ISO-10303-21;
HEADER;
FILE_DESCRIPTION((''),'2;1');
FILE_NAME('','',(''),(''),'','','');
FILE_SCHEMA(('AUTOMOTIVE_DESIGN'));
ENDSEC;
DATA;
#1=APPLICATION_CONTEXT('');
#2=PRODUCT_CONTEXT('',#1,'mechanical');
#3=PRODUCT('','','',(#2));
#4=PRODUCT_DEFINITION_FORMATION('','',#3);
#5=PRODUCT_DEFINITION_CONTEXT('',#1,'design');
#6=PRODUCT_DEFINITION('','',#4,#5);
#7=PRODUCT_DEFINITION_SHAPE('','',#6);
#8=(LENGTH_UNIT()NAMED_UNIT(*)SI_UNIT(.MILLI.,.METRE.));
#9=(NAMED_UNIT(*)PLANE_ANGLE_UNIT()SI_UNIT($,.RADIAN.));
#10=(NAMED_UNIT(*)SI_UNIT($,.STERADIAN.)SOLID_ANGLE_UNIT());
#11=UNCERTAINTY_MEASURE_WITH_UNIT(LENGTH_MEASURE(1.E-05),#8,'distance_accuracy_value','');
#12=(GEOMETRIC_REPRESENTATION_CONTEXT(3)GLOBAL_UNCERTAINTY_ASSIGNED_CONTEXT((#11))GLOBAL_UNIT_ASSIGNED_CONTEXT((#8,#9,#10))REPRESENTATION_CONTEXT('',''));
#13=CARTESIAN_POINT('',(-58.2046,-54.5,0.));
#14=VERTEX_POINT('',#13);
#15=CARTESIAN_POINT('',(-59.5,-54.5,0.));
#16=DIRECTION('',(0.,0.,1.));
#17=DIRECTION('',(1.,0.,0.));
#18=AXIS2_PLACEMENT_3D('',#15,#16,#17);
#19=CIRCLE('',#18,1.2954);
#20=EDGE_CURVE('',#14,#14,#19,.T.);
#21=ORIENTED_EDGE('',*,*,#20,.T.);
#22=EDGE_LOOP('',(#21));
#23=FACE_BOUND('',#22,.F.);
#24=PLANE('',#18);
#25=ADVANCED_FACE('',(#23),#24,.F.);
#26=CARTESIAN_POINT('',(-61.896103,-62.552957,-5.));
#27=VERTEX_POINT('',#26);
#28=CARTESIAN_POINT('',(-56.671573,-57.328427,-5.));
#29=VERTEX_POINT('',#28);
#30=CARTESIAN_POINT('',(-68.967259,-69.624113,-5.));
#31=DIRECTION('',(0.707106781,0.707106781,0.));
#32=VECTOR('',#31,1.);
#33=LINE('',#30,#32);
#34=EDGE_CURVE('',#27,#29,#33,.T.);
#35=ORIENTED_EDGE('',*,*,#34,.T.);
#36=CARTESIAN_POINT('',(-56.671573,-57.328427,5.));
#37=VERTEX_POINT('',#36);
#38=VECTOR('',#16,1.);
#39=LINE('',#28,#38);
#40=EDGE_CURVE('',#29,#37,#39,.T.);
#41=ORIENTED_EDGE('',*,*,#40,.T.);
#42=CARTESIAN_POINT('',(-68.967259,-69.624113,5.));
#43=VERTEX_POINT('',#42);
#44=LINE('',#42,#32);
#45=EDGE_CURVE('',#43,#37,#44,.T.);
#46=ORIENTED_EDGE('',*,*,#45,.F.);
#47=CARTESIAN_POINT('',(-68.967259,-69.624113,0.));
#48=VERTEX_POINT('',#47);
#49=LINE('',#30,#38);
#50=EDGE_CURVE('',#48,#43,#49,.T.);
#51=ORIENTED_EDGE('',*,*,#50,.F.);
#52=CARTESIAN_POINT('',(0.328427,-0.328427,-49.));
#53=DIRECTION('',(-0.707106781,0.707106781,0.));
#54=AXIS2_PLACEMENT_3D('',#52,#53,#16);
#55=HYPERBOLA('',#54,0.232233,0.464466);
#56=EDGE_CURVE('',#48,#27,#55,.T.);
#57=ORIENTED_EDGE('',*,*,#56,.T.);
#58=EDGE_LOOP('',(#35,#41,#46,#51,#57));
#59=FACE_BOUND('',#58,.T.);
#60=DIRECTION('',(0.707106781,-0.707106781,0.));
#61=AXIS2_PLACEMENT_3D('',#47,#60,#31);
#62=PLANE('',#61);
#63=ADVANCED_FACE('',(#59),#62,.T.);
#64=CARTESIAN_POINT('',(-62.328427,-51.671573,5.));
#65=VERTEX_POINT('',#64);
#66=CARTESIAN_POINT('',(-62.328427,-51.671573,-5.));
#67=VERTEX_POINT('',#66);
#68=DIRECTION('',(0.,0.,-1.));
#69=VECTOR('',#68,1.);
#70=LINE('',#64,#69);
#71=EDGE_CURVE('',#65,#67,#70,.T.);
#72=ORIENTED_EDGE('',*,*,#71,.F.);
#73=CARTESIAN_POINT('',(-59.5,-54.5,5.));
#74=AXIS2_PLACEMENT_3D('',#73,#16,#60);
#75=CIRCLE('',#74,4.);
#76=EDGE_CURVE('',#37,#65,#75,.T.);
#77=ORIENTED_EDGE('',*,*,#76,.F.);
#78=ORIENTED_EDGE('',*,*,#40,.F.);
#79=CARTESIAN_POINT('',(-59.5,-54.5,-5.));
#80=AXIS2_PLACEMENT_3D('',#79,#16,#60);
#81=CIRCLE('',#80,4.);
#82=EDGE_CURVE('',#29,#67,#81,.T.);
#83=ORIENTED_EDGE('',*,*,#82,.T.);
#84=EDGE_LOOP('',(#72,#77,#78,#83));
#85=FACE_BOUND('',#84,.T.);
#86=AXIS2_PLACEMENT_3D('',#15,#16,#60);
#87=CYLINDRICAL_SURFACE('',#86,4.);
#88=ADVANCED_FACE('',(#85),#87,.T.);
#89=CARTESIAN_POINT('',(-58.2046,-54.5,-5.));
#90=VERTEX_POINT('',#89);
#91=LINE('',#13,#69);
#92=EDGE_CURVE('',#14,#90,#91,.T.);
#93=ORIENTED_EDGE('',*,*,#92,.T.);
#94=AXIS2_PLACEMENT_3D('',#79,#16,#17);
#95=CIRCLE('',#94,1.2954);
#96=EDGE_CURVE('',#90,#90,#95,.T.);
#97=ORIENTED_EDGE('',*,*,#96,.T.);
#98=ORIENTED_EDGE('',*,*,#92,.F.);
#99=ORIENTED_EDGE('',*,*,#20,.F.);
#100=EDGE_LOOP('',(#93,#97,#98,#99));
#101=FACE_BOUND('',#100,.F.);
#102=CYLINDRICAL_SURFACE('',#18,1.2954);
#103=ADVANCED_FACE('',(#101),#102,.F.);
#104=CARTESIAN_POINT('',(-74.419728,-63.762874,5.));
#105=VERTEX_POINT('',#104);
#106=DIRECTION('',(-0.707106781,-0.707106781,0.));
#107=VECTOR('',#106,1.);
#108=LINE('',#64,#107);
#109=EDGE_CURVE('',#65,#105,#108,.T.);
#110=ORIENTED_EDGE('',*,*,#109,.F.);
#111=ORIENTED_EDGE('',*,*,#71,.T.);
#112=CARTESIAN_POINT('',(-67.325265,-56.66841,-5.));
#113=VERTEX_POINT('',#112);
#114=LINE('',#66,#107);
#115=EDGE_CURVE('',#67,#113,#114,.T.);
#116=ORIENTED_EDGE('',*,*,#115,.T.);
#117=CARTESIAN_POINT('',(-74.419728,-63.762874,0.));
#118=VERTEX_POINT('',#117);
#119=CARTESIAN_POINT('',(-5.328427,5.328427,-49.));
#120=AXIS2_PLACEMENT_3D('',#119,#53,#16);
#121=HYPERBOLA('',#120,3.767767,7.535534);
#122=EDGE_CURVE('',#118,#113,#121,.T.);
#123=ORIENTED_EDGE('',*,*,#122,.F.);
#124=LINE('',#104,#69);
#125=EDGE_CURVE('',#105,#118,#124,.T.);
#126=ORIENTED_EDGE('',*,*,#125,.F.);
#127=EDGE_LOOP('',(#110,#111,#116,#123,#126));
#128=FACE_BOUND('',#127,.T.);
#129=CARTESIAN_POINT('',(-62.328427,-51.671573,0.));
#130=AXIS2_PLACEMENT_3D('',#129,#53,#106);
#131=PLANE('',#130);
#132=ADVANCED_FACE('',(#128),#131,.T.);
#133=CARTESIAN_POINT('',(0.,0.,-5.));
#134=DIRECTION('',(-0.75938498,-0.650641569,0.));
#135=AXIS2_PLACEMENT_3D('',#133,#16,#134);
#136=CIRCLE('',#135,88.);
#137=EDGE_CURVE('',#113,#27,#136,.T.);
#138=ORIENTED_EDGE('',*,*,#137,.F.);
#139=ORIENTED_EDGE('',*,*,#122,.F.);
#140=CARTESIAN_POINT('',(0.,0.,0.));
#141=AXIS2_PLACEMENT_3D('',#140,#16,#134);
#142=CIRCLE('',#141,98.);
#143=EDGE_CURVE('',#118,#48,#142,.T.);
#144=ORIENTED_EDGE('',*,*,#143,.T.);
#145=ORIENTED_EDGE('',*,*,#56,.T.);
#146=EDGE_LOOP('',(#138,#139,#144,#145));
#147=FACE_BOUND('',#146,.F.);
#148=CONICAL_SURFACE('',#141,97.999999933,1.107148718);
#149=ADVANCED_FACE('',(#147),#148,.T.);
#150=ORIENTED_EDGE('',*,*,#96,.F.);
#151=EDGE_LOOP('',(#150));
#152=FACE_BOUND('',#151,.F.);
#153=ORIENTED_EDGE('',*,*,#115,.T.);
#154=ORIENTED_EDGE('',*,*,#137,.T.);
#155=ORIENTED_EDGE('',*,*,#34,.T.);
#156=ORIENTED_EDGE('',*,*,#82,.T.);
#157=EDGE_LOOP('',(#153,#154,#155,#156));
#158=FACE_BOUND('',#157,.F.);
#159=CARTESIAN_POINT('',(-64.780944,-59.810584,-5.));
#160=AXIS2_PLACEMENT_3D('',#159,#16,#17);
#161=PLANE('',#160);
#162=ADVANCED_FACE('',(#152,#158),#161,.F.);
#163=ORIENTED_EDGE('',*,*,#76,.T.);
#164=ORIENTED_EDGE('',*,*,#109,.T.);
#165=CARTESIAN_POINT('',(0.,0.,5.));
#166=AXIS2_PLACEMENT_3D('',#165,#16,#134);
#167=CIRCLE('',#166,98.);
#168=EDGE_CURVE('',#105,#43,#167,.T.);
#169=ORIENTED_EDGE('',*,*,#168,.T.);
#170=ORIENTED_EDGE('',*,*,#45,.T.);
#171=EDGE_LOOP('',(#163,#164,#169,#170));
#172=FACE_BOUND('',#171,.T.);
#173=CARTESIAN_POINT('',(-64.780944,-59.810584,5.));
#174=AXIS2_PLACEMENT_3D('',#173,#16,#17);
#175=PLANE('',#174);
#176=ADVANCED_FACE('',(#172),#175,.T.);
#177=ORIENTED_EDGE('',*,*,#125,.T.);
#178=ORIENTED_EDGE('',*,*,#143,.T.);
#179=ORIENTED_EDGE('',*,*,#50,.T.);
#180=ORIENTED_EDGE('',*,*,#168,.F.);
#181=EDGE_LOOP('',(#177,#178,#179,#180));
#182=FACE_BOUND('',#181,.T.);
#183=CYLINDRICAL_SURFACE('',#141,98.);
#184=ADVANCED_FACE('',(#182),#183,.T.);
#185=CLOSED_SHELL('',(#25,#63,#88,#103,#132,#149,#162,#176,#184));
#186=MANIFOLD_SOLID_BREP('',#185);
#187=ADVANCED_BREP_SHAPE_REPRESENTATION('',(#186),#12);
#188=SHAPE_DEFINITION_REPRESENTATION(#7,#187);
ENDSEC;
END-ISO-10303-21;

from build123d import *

# Parameters (mm, degrees)
F1_DEPTH = 5
F2_DEPTH = 5
F3_SIZE2 = 10
F3_SIZE  = 5
F4_D     = 2.5908
F4_DEPTH = 5.001


with BuildPart() as f1:
    # F0 (on Top) → F1 (new body)
    with BuildSketch(Plane.XY):
        with BuildLine():
            ThreePointArc((-74.419728056, -63.7628738065), (-71.7533661722, -66.7491905791), (-68.9672591452, -69.6241133947))
            Line((-68.9672591452, -69.6241133947), (-56.6715728753, -57.3284271247))
            ThreePointArc((-56.6715728753, -57.3284271247), (-56.6715728753, -51.6715728753), (-62.3284271247, -51.6715728753))
            Line((-62.3284271247, -51.6715728753), (-74.419728056, -63.7628738065))
        make_face()
    extrude(amount=F1_DEPTH)

    # F0 (on Top) → F2 (join)
    with BuildSketch(Plane.XY):
        with BuildLine():
            ThreePointArc((-74.419728056, -63.7628738065), (-71.7533661722, -66.7491905791), (-68.9672591452, -69.6241133947))
            Line((-68.9672591452, -69.6241133947), (-56.6715728753, -57.3284271247))
            ThreePointArc((-56.6715728753, -57.3284271247), (-56.6715728753, -51.6715728753), (-62.3284271247, -51.6715728753))
            Line((-62.3284271247, -51.6715728753), (-74.419728056, -63.7628738065))
        make_face()
    extrude(amount=-F2_DEPTH)

    # F3
    f3_edges = [f1.edges().sort_by_distance(p)[0] for p in [
        (-71.753366, -66.749191, -5),
    ]]
    f3_side = f1.faces().sort_by_distance((-71.753366, -66.749191, 0))[0]
    chamfer(f3_edges, length=F3_SIZE, length2=F3_SIZE2, reference=f3_side)

    # F4 (through all, one way)
    with BuildSketch(Plane.XY):
        with Locations((-59.5, -54.5)):
            Circle(F4_D / 2)
    extrude(amount=-F4_DEPTH, mode=Mode.SUBTRACT)


solid = f1.part
